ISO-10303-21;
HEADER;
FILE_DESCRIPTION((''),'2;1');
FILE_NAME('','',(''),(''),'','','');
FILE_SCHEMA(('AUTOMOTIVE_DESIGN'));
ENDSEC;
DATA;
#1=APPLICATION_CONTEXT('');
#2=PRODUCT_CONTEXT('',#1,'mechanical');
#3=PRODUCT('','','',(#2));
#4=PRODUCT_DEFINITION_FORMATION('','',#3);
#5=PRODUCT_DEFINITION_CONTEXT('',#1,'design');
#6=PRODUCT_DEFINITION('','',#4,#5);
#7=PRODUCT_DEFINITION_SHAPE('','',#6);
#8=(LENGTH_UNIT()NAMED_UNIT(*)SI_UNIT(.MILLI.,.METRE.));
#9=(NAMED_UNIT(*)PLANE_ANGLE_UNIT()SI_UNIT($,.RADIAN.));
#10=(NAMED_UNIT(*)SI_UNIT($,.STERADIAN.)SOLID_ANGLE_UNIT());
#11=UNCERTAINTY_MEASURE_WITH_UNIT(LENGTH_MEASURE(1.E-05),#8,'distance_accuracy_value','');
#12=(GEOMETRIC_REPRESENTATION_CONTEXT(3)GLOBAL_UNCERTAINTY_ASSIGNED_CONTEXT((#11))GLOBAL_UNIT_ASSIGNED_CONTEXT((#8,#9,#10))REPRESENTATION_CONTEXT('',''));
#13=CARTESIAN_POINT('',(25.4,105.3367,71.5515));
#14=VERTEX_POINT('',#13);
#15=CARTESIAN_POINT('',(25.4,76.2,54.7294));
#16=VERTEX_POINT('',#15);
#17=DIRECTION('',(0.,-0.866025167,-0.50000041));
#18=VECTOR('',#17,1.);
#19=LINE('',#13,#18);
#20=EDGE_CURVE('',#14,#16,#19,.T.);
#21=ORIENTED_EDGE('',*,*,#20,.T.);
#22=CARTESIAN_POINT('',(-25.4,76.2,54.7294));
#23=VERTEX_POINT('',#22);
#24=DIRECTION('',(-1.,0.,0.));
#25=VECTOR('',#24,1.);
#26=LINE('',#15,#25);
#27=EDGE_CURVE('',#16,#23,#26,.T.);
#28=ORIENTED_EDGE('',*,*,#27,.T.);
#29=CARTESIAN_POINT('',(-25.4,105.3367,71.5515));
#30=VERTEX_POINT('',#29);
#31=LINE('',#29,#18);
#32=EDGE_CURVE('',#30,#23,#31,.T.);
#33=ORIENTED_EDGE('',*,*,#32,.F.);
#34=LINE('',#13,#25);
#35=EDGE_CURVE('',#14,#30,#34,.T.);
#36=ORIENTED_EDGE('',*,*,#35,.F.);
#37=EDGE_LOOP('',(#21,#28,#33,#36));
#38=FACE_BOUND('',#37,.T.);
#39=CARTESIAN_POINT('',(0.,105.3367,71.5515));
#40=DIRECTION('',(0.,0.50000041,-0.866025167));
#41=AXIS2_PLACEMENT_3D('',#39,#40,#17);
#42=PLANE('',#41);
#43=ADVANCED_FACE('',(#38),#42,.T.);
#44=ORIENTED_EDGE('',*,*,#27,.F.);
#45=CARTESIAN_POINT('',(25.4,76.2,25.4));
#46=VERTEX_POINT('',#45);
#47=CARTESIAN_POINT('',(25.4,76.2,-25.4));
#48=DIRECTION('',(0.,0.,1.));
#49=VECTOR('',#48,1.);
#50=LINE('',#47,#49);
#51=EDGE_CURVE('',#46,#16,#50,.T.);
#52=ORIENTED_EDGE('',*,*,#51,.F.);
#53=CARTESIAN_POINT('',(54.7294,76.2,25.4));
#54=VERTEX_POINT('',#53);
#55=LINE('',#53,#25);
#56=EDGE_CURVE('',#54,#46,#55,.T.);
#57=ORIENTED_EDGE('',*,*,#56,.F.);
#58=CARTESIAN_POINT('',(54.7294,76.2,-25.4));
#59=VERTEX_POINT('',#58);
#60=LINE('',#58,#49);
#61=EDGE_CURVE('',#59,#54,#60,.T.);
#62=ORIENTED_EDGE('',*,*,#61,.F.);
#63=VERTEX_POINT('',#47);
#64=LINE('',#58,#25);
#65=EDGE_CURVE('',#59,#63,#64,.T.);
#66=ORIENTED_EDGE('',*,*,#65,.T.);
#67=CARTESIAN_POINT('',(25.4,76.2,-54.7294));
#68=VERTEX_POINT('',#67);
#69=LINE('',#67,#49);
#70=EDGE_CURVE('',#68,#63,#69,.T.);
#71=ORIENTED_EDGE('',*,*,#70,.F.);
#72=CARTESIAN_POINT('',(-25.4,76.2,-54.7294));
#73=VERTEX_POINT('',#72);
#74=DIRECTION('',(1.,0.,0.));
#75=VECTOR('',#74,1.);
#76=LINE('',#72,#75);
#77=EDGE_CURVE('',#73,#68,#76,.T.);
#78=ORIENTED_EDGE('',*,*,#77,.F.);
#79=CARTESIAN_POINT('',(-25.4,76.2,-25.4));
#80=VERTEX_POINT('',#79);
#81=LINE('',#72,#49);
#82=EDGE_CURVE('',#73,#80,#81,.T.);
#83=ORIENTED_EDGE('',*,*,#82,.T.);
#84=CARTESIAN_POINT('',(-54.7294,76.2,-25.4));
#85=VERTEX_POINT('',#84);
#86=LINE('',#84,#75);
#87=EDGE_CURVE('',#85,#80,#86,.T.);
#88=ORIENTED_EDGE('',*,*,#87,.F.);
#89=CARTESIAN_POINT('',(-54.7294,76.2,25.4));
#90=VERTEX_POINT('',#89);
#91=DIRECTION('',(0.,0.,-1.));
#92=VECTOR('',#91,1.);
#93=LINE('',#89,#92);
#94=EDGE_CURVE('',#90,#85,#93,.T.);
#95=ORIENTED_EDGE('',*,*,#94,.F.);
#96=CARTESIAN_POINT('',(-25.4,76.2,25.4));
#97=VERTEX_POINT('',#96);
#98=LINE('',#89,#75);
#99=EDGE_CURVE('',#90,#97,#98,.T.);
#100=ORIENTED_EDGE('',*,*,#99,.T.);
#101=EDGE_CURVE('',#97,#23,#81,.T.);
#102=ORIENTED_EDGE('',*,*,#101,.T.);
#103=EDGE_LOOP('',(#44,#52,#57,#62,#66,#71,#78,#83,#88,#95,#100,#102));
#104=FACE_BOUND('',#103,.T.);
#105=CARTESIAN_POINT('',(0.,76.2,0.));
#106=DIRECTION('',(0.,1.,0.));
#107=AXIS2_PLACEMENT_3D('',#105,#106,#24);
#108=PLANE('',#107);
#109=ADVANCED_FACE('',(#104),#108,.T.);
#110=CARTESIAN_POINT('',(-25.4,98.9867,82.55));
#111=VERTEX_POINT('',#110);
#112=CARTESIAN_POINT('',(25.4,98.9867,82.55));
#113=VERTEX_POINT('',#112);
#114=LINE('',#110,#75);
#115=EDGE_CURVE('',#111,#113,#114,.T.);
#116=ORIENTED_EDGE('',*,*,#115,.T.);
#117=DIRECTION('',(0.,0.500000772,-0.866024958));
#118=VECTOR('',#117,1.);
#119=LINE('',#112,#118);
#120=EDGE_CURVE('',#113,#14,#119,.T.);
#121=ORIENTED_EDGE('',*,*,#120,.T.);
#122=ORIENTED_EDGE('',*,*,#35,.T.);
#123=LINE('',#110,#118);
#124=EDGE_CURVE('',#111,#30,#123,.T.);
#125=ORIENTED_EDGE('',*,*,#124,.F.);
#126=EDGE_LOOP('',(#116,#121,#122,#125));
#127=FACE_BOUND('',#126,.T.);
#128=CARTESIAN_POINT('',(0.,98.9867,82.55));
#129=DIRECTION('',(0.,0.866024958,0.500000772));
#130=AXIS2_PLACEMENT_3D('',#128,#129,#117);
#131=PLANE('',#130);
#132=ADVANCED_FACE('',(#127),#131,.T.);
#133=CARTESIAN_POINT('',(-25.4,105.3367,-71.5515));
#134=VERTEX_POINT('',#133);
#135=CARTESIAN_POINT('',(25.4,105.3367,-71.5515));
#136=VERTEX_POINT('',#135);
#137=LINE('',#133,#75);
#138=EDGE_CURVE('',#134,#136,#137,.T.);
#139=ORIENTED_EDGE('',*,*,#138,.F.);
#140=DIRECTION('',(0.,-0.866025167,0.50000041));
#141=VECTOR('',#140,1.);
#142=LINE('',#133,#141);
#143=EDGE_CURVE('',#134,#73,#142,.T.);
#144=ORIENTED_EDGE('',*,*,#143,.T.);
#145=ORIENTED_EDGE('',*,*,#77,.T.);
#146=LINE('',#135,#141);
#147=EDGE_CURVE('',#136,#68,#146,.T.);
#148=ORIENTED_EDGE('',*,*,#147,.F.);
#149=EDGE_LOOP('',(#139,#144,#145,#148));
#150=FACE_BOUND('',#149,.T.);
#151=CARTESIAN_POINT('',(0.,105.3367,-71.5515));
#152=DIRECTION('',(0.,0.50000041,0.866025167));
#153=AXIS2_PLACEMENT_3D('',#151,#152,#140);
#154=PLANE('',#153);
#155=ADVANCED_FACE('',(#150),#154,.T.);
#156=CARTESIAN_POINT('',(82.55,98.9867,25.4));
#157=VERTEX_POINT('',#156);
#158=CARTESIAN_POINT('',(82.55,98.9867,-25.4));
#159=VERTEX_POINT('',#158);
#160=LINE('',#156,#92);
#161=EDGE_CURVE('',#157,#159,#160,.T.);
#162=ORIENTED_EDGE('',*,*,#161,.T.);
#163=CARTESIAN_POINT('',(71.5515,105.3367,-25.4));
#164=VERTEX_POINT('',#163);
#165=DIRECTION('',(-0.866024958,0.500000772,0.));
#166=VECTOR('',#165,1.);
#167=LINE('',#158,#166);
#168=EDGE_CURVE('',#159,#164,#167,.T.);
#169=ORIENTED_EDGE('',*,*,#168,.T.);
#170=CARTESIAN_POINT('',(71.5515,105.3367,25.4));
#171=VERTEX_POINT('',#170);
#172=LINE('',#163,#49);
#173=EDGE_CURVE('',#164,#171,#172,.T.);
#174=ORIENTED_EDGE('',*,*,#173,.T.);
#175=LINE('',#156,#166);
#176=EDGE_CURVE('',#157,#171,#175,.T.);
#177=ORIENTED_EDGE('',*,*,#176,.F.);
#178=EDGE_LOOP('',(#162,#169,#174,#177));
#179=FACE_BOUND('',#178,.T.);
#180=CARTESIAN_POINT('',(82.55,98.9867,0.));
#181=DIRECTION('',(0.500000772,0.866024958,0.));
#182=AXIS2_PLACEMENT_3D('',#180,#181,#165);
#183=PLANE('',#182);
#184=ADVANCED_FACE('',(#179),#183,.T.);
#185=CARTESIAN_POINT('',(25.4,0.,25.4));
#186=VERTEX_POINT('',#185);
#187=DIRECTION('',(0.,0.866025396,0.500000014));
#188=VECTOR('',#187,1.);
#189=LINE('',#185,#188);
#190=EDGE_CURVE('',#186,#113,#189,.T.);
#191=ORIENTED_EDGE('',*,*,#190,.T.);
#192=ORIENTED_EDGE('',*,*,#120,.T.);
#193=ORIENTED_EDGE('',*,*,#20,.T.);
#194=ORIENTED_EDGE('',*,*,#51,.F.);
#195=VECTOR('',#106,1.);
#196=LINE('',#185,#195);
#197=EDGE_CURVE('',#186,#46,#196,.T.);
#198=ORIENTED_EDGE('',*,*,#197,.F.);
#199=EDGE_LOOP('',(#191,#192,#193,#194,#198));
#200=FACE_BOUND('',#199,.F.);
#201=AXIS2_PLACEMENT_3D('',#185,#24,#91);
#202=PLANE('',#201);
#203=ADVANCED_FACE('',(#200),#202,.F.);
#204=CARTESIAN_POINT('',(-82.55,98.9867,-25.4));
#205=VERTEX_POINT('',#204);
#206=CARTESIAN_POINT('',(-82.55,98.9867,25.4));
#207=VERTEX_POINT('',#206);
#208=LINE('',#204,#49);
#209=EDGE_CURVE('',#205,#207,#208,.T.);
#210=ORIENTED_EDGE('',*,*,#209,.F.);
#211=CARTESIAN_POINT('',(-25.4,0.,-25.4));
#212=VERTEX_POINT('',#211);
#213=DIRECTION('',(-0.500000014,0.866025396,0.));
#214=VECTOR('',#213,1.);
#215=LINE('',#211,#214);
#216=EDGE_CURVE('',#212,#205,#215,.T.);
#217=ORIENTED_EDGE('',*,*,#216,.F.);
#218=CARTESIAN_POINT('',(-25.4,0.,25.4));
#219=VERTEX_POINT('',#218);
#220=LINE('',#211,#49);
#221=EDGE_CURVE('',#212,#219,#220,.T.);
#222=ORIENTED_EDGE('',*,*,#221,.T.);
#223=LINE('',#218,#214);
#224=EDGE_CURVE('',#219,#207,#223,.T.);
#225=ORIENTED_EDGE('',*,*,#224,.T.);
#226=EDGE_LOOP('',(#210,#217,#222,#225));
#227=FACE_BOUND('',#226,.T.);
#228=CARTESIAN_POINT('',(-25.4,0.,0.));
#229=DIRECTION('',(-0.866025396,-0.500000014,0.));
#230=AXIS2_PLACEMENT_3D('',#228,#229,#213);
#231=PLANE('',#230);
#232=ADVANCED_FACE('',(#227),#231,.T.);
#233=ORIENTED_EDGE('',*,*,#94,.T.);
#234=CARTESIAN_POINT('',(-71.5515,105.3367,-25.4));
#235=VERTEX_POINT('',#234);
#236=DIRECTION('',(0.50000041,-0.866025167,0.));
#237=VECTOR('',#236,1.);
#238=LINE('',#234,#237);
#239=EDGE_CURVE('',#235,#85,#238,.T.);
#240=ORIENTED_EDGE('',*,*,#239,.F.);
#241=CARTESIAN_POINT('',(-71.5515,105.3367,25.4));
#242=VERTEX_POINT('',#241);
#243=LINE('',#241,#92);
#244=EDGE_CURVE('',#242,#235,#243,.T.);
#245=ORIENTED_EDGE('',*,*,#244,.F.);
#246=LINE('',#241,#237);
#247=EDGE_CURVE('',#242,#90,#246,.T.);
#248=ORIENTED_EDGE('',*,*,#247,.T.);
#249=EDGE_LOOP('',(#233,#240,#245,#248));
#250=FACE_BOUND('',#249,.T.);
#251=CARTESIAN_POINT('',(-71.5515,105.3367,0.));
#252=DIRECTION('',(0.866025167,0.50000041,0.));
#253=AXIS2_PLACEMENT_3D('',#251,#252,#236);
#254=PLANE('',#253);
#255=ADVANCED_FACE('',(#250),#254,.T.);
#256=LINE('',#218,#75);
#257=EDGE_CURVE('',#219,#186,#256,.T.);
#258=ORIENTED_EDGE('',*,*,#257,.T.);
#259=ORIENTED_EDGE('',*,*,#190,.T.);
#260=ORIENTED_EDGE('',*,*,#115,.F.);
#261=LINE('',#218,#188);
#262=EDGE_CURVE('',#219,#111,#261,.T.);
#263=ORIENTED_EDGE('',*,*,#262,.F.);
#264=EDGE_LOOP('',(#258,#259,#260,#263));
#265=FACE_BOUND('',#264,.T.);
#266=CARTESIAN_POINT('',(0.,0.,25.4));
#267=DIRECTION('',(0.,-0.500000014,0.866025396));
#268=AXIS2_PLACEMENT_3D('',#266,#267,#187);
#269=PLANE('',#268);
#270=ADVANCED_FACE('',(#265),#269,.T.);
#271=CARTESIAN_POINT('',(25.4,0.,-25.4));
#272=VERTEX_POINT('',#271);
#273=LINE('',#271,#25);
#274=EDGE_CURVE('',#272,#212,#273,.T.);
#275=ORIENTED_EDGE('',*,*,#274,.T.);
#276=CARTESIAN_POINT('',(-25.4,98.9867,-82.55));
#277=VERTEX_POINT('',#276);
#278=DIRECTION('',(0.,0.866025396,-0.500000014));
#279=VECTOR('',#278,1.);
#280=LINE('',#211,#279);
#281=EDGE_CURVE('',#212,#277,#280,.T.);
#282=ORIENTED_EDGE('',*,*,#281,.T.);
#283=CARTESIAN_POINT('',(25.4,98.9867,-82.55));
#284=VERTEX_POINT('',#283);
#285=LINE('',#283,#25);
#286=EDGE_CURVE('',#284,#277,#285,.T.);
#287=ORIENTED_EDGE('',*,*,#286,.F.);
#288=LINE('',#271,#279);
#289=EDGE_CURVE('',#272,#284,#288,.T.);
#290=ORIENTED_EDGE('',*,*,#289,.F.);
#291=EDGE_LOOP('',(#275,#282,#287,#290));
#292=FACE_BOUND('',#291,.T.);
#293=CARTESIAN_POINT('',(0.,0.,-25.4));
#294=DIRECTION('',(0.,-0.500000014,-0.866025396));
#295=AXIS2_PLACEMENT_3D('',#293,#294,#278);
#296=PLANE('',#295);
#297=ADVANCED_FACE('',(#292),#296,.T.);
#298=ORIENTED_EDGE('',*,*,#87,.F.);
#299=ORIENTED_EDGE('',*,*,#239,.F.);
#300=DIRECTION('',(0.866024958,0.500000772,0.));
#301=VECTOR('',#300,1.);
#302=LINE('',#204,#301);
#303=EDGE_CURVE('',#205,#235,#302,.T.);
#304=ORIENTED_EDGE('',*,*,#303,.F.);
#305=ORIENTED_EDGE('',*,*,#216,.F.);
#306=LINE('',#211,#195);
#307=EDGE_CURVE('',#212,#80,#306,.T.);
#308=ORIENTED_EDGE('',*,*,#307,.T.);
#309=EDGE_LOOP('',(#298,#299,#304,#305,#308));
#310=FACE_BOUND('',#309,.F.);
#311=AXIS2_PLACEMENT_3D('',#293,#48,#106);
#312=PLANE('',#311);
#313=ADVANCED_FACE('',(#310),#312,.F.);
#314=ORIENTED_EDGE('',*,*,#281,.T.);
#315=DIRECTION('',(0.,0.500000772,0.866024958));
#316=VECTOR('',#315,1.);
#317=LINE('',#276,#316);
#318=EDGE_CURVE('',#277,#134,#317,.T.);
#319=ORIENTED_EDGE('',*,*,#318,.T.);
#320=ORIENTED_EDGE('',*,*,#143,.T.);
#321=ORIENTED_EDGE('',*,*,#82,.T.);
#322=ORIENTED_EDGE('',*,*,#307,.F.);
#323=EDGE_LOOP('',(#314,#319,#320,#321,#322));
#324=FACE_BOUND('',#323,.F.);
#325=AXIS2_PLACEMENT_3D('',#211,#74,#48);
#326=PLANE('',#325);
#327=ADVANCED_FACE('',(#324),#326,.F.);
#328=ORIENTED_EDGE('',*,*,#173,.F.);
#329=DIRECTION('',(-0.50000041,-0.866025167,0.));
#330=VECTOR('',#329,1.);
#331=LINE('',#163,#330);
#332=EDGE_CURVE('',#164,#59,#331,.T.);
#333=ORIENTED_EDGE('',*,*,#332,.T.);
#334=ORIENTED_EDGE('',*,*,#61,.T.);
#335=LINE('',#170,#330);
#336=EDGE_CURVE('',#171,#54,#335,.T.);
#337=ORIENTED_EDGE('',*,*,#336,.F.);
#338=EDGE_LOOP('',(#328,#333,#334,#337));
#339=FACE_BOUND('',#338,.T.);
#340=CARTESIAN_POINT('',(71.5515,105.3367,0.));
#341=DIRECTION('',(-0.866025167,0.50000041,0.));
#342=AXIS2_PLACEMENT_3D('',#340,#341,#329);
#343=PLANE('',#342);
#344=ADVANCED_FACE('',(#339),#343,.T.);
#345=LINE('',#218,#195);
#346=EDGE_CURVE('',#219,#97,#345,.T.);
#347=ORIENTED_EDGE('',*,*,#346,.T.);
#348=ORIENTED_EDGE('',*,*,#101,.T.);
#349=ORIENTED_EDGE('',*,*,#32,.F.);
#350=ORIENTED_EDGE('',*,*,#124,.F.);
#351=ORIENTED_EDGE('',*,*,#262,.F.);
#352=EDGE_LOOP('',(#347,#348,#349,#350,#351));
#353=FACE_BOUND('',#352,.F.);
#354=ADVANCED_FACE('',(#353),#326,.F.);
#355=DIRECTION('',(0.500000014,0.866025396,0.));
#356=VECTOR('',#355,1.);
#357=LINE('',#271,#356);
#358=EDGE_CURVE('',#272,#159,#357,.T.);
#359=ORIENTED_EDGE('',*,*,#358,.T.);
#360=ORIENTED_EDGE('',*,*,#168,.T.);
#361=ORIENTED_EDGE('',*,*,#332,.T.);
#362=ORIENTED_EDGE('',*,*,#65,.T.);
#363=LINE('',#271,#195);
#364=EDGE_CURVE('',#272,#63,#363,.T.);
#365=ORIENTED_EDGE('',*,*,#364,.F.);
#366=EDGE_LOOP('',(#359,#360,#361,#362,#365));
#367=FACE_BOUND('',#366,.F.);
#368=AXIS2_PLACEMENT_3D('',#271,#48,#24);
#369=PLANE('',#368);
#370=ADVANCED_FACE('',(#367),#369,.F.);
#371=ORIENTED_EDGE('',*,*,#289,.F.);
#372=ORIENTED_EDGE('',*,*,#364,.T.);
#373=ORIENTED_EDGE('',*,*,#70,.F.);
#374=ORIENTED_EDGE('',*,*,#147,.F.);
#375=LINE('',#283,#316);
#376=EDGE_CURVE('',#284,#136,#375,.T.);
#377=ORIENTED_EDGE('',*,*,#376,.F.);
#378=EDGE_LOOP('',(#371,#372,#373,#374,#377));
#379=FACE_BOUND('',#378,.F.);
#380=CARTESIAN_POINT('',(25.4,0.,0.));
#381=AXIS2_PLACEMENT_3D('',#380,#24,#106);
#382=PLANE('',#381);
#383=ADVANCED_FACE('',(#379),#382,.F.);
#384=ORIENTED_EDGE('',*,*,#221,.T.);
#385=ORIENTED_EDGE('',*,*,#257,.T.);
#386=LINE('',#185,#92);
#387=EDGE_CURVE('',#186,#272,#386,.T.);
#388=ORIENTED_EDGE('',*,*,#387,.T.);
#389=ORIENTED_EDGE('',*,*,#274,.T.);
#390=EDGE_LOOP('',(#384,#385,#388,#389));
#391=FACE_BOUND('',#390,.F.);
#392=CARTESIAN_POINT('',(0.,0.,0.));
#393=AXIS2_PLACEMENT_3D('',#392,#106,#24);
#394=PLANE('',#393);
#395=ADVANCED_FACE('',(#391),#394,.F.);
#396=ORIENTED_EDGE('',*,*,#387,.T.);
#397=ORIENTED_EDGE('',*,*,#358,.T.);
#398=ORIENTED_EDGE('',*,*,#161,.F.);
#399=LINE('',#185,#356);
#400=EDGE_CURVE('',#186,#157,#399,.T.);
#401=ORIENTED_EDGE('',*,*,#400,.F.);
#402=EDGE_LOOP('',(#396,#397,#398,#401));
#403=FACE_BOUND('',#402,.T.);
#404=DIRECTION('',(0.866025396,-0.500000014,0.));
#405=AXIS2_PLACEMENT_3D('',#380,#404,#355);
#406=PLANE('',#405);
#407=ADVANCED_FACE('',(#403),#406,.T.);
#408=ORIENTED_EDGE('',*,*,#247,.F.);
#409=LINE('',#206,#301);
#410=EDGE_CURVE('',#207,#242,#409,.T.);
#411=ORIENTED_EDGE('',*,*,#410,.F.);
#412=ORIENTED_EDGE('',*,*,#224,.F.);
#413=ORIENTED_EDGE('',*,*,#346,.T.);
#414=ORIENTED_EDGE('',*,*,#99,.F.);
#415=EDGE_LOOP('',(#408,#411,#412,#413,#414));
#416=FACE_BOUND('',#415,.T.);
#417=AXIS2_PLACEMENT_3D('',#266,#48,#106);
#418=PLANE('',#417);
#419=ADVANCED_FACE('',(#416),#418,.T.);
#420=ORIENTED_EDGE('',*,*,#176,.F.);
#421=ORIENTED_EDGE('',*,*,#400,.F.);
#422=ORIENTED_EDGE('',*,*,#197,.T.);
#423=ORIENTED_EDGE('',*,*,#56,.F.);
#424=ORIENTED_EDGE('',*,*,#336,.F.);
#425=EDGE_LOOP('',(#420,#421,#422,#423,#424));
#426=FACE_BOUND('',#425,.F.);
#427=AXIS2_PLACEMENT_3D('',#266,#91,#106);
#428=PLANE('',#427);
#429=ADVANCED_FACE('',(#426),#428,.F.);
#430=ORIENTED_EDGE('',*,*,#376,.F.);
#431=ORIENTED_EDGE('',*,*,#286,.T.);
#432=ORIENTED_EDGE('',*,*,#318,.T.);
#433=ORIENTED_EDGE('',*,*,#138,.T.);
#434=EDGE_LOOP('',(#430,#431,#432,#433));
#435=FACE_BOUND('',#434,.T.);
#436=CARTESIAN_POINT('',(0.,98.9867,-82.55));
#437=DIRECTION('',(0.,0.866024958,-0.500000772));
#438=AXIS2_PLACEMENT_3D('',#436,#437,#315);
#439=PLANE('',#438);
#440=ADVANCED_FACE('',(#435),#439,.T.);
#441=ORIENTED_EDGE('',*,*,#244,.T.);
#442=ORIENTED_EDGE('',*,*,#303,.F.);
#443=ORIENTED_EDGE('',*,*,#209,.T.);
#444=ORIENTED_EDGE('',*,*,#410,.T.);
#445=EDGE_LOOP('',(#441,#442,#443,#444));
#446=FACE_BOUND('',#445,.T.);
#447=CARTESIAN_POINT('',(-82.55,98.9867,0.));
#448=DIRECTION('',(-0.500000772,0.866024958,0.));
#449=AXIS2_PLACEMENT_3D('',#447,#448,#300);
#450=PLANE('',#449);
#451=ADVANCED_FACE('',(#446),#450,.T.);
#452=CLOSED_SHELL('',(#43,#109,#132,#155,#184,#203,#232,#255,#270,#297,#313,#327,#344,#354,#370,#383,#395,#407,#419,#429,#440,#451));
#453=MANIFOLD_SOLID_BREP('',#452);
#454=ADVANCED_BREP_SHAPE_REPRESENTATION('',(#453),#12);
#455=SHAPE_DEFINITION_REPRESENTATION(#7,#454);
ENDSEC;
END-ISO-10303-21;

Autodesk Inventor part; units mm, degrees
ref_plane "YZ Plane" through (0, 0, 0) normal (1, 0, 0) x (0, 1, 0)
ref_plane "XZ Plane" through (0, 0, 0) normal (0, 1, 0) x (-1, 0, 0)
ref_plane "XY Plane" through (0, 0, 0) normal (0, 0, 1) x (1, 0, 0)
sketch "Sketch1" plane through (0, 0, 0) normal (0, 1, 0) x (-1, 0, 0)
  circle A0 centre (0, 0) radius 25.4 construction
  line L0 (-25.4, -25.4) -> (25.4, -25.4)
  line L1 (25.4, -25.4) -> (25.4, 25.4)
  line L2 (25.4, 25.4) -> (-25.4, 25.4)
  line L3 (-25.4, 25.4) -> (-25.4, -25.4)
  line L4 (-25.4, -25.4) -> (25.4, 25.4) construction
  line L5 (25.4, -25.4) -> (-25.4, 25.4) construction
  dimension "d0" = 50.8
  dimension "d1" = 50.8
extrude "Extrusion1" add sketch "Sketch1" along normal blind 76.2
sketch "Sketch3" plane through (0, 0, 0) normal (1, 0, 0) x (0, 1, 0)
  line L0 (-43.9941, 0) -> (0, 25.4) construction
  line L1 (0, -25.4) -> (0, 25.4) construction
  line L2 (76.2, 25.4) -> (0, 25.4) construction
  line L3 (0, 25.4) -> (0, 0) construction
  line L4 (-43.9941, 0) -> (0, 0) construction
  line L5 (-43.9941, 0) -> (0, -25.4) construction
  line L6 (98.9867, 82.55) -> (105.3367, 71.5515)
  line L7 (105.3367, 71.5515) -> (76.2, 54.7294)
  line L8 (76.2, 54.7294) -> (76.2, 25.4)
  line L9 (0, 25.4) -> (98.9867, 82.55)
  line L10 (0, 25.4) -> (76.2, 25.4)
  dimension "d14" = 60
  dimension "d15" = 12.7
  dimension "d16" = 114.3
extrude "Extrusion2" add sketch "Sketch3" along normal mid plane 50.8
pattern_circular "Circular Pattern1" count 4 over 360 about axis through (0, -10, 0) along (0, 1, 0) of "Extrusion2"
properties part number "4-Tool_Head"
